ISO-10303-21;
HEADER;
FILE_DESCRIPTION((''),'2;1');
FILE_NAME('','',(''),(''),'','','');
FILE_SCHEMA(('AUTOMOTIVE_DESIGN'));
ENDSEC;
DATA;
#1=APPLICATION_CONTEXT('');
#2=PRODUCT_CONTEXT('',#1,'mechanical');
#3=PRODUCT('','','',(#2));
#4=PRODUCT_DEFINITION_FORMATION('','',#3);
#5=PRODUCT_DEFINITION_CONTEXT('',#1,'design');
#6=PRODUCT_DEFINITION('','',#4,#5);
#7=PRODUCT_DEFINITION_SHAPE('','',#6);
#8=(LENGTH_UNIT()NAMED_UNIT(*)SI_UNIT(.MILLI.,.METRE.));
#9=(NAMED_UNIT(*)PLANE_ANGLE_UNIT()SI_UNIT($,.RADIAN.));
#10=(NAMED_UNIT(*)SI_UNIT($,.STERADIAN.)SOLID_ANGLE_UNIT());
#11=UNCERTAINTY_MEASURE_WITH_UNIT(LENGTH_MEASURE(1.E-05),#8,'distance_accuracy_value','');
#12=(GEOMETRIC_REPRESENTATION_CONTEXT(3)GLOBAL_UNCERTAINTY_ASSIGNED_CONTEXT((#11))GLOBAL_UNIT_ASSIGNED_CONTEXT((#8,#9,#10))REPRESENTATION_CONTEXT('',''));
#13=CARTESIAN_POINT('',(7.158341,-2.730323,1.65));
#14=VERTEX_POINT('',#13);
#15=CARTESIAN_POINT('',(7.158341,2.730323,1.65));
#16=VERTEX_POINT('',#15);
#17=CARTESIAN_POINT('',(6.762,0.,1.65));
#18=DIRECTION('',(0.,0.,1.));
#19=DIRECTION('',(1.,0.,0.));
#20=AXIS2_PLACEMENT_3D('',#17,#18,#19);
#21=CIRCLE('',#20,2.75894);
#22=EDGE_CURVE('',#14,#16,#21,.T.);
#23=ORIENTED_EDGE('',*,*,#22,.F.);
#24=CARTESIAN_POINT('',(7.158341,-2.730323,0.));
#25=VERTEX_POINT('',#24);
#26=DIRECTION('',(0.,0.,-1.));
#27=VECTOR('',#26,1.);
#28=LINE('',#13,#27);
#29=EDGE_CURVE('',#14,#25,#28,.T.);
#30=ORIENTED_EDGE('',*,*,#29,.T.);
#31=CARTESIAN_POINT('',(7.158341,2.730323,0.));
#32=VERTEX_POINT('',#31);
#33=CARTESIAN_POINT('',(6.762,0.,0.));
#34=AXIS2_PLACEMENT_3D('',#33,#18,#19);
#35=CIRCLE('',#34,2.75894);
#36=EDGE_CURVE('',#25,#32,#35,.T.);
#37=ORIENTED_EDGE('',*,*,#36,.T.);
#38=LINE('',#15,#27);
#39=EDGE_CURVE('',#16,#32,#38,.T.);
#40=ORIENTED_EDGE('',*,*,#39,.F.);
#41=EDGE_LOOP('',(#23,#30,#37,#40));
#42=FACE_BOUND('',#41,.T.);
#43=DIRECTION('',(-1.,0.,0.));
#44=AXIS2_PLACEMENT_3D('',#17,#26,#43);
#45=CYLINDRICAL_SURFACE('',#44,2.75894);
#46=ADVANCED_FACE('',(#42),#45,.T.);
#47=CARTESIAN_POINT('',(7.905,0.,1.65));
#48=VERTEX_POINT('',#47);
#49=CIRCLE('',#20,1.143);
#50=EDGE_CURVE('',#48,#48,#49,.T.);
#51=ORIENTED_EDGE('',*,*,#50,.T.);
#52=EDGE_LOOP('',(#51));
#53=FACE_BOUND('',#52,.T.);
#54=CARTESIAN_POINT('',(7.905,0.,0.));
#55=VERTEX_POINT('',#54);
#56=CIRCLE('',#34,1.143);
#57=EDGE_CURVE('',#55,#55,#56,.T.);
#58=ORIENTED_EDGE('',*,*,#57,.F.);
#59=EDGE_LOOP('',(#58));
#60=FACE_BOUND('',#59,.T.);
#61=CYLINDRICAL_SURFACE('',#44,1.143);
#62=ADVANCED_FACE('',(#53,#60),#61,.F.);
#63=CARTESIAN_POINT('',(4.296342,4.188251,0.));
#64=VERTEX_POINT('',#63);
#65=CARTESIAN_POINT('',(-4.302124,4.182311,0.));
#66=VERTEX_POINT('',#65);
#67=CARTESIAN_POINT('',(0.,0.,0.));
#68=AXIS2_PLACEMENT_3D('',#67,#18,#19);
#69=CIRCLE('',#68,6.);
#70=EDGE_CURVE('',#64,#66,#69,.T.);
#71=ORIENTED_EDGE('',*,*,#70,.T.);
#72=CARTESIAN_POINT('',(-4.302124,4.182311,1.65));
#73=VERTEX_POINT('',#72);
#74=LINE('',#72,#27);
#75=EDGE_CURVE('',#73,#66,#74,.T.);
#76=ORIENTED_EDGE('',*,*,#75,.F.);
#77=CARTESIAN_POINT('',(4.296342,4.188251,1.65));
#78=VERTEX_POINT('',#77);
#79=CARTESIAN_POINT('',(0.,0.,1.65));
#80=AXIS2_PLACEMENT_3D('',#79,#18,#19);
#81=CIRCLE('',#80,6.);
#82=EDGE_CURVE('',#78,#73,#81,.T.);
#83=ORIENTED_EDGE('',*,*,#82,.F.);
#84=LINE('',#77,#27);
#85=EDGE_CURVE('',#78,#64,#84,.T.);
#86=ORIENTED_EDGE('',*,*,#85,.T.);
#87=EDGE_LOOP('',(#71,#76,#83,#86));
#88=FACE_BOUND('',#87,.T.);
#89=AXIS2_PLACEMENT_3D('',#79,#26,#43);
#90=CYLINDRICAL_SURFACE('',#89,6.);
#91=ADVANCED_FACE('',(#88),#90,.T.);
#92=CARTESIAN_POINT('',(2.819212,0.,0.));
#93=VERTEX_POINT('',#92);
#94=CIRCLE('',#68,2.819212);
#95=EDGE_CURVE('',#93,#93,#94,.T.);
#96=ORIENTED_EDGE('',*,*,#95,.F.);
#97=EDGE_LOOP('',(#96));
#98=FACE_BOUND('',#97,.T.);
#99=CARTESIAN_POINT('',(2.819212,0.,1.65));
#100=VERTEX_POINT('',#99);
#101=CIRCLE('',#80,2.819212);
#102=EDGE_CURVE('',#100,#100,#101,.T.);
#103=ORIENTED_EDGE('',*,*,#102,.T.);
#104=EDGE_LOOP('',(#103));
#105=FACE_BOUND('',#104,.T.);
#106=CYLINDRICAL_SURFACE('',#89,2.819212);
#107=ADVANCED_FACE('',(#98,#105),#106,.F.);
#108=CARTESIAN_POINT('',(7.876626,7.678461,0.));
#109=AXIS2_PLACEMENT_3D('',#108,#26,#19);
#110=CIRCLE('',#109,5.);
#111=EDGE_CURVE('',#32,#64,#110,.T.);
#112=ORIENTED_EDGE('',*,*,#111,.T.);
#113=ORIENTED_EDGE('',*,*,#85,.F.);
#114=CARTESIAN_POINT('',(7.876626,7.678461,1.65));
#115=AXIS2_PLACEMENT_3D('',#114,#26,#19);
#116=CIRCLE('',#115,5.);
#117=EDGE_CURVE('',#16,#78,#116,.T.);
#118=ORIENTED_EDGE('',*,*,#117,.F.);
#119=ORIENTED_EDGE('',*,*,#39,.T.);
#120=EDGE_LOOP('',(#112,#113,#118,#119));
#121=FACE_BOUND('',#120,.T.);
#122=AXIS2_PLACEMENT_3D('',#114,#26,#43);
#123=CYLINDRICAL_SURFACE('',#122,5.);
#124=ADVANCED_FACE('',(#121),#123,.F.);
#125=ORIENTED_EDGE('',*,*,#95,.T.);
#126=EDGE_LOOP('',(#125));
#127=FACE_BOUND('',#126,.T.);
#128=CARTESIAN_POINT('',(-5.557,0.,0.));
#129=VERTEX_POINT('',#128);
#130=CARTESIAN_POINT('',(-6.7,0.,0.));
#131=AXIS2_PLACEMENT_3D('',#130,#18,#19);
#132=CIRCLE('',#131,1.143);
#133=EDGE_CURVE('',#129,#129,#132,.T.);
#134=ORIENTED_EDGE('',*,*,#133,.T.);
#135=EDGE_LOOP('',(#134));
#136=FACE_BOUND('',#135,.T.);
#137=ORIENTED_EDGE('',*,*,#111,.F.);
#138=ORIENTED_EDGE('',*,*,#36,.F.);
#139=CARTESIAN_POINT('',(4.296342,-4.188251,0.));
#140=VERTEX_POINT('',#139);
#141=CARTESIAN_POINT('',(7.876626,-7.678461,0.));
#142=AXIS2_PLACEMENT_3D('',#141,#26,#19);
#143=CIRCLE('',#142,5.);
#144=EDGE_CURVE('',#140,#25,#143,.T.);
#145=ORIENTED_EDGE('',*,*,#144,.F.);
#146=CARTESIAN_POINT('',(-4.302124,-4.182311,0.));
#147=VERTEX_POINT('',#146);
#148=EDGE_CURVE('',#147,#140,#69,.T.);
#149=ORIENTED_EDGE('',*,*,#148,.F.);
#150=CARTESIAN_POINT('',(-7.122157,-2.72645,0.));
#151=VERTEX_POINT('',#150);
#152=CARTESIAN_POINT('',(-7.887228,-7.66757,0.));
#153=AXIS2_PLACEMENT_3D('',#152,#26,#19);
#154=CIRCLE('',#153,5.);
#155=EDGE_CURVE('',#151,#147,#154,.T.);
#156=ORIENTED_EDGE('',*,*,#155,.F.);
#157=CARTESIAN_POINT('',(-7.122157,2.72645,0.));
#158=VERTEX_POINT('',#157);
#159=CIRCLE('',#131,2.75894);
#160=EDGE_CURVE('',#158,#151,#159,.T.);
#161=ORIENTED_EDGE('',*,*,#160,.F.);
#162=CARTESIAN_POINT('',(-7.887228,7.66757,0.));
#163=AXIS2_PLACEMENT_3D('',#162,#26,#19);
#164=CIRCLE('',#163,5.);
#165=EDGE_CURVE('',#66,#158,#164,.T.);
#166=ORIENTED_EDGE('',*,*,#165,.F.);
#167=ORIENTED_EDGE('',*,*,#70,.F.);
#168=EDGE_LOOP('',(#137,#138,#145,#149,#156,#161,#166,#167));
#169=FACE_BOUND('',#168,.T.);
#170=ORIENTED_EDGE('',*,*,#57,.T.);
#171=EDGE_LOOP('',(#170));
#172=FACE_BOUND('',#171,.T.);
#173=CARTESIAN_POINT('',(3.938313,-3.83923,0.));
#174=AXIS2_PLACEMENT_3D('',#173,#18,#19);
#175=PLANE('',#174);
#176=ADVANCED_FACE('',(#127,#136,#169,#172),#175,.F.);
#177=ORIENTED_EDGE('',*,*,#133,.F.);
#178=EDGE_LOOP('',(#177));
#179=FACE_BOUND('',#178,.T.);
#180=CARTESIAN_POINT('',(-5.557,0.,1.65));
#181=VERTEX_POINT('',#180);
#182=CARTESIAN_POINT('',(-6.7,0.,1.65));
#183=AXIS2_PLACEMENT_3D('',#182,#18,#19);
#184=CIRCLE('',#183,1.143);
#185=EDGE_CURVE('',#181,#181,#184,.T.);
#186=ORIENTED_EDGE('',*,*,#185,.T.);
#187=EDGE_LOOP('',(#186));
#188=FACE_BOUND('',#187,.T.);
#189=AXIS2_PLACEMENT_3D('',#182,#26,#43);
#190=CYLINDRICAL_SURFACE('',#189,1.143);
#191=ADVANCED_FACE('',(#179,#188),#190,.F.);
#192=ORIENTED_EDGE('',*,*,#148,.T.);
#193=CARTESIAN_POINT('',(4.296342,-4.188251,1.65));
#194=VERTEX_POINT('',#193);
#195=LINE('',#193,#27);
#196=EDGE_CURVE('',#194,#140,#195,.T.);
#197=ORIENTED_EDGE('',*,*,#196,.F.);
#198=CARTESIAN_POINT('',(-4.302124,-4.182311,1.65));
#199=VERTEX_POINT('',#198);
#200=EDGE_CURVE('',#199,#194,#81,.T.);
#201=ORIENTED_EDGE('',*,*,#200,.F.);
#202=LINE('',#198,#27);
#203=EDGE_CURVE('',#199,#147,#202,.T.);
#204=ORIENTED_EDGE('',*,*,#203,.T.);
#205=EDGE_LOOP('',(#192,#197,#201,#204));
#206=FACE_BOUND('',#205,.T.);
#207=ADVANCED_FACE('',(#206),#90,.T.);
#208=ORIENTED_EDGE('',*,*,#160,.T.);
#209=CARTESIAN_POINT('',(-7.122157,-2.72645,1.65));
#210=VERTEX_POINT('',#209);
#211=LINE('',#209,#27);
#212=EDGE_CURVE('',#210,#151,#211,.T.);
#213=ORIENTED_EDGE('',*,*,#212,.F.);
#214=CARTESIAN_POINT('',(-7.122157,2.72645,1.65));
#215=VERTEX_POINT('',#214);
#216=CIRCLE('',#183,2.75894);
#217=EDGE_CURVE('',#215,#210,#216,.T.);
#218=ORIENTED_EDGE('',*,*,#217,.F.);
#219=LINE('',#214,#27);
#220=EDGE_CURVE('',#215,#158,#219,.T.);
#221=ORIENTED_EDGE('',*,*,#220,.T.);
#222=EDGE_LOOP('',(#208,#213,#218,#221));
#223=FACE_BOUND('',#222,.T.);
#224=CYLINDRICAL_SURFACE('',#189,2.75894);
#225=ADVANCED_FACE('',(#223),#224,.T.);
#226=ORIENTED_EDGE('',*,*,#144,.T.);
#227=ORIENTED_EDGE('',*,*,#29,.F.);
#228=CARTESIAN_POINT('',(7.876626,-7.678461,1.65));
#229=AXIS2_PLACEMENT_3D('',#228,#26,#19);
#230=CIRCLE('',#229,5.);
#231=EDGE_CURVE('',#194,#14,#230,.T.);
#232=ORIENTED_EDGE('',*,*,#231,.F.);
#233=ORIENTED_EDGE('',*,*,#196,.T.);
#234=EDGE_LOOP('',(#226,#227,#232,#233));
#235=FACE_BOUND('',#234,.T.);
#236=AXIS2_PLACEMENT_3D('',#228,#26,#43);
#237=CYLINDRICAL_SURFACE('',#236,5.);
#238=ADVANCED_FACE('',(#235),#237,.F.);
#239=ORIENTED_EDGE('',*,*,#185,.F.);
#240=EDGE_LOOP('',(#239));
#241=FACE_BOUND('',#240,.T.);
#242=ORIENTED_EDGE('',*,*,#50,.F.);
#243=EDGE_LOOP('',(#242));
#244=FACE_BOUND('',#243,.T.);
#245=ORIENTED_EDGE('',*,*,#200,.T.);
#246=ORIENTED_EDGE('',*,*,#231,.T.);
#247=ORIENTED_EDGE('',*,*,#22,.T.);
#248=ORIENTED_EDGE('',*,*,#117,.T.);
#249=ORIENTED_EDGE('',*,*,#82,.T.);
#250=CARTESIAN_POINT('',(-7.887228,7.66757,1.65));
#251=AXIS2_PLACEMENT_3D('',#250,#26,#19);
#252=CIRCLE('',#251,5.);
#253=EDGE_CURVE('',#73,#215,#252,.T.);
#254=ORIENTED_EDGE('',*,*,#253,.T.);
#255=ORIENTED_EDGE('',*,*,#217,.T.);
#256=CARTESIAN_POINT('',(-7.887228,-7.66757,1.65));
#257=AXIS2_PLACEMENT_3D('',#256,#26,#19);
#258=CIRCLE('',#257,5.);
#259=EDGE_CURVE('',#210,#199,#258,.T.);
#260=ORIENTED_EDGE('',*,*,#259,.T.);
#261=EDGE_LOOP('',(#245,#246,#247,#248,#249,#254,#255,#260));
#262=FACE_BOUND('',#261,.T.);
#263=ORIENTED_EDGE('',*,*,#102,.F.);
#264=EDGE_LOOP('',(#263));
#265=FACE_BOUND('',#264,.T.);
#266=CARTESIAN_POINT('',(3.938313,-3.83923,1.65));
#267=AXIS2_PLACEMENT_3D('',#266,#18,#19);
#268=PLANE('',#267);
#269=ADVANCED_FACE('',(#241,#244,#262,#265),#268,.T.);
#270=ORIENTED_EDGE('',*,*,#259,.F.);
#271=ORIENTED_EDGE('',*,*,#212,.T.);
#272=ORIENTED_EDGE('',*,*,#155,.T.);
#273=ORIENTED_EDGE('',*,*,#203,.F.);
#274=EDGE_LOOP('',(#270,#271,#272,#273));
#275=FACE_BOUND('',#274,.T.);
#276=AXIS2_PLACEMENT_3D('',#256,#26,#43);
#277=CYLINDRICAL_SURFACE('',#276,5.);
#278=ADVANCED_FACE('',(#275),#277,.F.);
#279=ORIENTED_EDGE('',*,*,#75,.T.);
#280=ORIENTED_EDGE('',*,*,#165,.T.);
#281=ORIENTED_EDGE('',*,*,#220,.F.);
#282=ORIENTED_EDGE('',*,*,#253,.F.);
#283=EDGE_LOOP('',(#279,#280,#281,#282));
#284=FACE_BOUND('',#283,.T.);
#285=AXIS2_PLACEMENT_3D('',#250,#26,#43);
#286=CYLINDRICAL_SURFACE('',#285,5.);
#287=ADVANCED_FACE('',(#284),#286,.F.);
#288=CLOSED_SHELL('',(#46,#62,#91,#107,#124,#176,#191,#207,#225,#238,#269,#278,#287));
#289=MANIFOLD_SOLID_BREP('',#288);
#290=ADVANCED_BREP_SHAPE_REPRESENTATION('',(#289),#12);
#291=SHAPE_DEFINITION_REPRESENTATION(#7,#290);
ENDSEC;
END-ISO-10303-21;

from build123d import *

# Parameters (mm, degrees)
ESBO_O1_R                = 1.143
ESBO_O1_R_2              = 2.819211747
RESSALTO_EXTRUS_O1_DEPTH = 1.65


with BuildPart() as part:
    # Esboço1 → Ressalto-extrusão1 (new body)
    with BuildSketch(Plane.XY):
        with BuildLine():
            ThreePointArc((-4.302124406, -4.182311163), (-4.077931794, -4.401189993), (-3.842618859, -4.608066989))
            ThreePointArc((-3.842618859, -4.608066989), (0, -6.000000089), (3.842618859, -4.608066989))
            ThreePointArc((3.842618859, -4.608066989), (4.074890318, -4.404006128), (4.296341713, -4.188251301))
            ThreePointArc((4.296341713, -4.188251301), (5.607085842, -3.223218185), (7.158341274, -2.730322991))
            ThreePointArc((7.158341274, -2.730322991), (9.52094015, 0), (7.158341274, 2.730322991))
            ThreePointArc((7.158341274, 2.730322991), (5.607085842, 3.223218185), (4.296341713, 4.188251301))
            ThreePointArc((4.296341713, 4.188251301), (4.077931794, 4.401189993), (3.848982033, 4.602753348))
            ThreePointArc((3.848982033, 4.602753348), (0.008290039, 5.999994362), (-3.836248349, 4.613371834))
            ThreePointArc((-3.836248349, 4.613371834), (-4.074890318, 4.404006128), (-4.302124406, 4.182311163))
            ThreePointArc((-4.302124406, 4.182311163), (-5.593565523, 3.224698333), (-7.12215689, 2.726450484))
            ThreePointArc((-7.12215689, 2.726450484), (-9.458939648, 0), (-7.12215689, -2.726450484))
            ThreePointArc((-7.12215689, -2.726450484), (-5.593565523, -3.224698333), (-4.302124406, -4.182311163))
        make_face()
        with Locations((6.76200015, 0)):
            Circle(ESBO_O1_R, mode=Mode.SUBTRACT)
        with Locations((-6.69999985, 0)):
            Circle(ESBO_O1_R, mode=Mode.SUBTRACT)
        Circle(ESBO_O1_R_2, mode=Mode.SUBTRACT)
    extrude(amount=RESSALTO_EXTRUS_O1_DEPTH)


solid = part.part
